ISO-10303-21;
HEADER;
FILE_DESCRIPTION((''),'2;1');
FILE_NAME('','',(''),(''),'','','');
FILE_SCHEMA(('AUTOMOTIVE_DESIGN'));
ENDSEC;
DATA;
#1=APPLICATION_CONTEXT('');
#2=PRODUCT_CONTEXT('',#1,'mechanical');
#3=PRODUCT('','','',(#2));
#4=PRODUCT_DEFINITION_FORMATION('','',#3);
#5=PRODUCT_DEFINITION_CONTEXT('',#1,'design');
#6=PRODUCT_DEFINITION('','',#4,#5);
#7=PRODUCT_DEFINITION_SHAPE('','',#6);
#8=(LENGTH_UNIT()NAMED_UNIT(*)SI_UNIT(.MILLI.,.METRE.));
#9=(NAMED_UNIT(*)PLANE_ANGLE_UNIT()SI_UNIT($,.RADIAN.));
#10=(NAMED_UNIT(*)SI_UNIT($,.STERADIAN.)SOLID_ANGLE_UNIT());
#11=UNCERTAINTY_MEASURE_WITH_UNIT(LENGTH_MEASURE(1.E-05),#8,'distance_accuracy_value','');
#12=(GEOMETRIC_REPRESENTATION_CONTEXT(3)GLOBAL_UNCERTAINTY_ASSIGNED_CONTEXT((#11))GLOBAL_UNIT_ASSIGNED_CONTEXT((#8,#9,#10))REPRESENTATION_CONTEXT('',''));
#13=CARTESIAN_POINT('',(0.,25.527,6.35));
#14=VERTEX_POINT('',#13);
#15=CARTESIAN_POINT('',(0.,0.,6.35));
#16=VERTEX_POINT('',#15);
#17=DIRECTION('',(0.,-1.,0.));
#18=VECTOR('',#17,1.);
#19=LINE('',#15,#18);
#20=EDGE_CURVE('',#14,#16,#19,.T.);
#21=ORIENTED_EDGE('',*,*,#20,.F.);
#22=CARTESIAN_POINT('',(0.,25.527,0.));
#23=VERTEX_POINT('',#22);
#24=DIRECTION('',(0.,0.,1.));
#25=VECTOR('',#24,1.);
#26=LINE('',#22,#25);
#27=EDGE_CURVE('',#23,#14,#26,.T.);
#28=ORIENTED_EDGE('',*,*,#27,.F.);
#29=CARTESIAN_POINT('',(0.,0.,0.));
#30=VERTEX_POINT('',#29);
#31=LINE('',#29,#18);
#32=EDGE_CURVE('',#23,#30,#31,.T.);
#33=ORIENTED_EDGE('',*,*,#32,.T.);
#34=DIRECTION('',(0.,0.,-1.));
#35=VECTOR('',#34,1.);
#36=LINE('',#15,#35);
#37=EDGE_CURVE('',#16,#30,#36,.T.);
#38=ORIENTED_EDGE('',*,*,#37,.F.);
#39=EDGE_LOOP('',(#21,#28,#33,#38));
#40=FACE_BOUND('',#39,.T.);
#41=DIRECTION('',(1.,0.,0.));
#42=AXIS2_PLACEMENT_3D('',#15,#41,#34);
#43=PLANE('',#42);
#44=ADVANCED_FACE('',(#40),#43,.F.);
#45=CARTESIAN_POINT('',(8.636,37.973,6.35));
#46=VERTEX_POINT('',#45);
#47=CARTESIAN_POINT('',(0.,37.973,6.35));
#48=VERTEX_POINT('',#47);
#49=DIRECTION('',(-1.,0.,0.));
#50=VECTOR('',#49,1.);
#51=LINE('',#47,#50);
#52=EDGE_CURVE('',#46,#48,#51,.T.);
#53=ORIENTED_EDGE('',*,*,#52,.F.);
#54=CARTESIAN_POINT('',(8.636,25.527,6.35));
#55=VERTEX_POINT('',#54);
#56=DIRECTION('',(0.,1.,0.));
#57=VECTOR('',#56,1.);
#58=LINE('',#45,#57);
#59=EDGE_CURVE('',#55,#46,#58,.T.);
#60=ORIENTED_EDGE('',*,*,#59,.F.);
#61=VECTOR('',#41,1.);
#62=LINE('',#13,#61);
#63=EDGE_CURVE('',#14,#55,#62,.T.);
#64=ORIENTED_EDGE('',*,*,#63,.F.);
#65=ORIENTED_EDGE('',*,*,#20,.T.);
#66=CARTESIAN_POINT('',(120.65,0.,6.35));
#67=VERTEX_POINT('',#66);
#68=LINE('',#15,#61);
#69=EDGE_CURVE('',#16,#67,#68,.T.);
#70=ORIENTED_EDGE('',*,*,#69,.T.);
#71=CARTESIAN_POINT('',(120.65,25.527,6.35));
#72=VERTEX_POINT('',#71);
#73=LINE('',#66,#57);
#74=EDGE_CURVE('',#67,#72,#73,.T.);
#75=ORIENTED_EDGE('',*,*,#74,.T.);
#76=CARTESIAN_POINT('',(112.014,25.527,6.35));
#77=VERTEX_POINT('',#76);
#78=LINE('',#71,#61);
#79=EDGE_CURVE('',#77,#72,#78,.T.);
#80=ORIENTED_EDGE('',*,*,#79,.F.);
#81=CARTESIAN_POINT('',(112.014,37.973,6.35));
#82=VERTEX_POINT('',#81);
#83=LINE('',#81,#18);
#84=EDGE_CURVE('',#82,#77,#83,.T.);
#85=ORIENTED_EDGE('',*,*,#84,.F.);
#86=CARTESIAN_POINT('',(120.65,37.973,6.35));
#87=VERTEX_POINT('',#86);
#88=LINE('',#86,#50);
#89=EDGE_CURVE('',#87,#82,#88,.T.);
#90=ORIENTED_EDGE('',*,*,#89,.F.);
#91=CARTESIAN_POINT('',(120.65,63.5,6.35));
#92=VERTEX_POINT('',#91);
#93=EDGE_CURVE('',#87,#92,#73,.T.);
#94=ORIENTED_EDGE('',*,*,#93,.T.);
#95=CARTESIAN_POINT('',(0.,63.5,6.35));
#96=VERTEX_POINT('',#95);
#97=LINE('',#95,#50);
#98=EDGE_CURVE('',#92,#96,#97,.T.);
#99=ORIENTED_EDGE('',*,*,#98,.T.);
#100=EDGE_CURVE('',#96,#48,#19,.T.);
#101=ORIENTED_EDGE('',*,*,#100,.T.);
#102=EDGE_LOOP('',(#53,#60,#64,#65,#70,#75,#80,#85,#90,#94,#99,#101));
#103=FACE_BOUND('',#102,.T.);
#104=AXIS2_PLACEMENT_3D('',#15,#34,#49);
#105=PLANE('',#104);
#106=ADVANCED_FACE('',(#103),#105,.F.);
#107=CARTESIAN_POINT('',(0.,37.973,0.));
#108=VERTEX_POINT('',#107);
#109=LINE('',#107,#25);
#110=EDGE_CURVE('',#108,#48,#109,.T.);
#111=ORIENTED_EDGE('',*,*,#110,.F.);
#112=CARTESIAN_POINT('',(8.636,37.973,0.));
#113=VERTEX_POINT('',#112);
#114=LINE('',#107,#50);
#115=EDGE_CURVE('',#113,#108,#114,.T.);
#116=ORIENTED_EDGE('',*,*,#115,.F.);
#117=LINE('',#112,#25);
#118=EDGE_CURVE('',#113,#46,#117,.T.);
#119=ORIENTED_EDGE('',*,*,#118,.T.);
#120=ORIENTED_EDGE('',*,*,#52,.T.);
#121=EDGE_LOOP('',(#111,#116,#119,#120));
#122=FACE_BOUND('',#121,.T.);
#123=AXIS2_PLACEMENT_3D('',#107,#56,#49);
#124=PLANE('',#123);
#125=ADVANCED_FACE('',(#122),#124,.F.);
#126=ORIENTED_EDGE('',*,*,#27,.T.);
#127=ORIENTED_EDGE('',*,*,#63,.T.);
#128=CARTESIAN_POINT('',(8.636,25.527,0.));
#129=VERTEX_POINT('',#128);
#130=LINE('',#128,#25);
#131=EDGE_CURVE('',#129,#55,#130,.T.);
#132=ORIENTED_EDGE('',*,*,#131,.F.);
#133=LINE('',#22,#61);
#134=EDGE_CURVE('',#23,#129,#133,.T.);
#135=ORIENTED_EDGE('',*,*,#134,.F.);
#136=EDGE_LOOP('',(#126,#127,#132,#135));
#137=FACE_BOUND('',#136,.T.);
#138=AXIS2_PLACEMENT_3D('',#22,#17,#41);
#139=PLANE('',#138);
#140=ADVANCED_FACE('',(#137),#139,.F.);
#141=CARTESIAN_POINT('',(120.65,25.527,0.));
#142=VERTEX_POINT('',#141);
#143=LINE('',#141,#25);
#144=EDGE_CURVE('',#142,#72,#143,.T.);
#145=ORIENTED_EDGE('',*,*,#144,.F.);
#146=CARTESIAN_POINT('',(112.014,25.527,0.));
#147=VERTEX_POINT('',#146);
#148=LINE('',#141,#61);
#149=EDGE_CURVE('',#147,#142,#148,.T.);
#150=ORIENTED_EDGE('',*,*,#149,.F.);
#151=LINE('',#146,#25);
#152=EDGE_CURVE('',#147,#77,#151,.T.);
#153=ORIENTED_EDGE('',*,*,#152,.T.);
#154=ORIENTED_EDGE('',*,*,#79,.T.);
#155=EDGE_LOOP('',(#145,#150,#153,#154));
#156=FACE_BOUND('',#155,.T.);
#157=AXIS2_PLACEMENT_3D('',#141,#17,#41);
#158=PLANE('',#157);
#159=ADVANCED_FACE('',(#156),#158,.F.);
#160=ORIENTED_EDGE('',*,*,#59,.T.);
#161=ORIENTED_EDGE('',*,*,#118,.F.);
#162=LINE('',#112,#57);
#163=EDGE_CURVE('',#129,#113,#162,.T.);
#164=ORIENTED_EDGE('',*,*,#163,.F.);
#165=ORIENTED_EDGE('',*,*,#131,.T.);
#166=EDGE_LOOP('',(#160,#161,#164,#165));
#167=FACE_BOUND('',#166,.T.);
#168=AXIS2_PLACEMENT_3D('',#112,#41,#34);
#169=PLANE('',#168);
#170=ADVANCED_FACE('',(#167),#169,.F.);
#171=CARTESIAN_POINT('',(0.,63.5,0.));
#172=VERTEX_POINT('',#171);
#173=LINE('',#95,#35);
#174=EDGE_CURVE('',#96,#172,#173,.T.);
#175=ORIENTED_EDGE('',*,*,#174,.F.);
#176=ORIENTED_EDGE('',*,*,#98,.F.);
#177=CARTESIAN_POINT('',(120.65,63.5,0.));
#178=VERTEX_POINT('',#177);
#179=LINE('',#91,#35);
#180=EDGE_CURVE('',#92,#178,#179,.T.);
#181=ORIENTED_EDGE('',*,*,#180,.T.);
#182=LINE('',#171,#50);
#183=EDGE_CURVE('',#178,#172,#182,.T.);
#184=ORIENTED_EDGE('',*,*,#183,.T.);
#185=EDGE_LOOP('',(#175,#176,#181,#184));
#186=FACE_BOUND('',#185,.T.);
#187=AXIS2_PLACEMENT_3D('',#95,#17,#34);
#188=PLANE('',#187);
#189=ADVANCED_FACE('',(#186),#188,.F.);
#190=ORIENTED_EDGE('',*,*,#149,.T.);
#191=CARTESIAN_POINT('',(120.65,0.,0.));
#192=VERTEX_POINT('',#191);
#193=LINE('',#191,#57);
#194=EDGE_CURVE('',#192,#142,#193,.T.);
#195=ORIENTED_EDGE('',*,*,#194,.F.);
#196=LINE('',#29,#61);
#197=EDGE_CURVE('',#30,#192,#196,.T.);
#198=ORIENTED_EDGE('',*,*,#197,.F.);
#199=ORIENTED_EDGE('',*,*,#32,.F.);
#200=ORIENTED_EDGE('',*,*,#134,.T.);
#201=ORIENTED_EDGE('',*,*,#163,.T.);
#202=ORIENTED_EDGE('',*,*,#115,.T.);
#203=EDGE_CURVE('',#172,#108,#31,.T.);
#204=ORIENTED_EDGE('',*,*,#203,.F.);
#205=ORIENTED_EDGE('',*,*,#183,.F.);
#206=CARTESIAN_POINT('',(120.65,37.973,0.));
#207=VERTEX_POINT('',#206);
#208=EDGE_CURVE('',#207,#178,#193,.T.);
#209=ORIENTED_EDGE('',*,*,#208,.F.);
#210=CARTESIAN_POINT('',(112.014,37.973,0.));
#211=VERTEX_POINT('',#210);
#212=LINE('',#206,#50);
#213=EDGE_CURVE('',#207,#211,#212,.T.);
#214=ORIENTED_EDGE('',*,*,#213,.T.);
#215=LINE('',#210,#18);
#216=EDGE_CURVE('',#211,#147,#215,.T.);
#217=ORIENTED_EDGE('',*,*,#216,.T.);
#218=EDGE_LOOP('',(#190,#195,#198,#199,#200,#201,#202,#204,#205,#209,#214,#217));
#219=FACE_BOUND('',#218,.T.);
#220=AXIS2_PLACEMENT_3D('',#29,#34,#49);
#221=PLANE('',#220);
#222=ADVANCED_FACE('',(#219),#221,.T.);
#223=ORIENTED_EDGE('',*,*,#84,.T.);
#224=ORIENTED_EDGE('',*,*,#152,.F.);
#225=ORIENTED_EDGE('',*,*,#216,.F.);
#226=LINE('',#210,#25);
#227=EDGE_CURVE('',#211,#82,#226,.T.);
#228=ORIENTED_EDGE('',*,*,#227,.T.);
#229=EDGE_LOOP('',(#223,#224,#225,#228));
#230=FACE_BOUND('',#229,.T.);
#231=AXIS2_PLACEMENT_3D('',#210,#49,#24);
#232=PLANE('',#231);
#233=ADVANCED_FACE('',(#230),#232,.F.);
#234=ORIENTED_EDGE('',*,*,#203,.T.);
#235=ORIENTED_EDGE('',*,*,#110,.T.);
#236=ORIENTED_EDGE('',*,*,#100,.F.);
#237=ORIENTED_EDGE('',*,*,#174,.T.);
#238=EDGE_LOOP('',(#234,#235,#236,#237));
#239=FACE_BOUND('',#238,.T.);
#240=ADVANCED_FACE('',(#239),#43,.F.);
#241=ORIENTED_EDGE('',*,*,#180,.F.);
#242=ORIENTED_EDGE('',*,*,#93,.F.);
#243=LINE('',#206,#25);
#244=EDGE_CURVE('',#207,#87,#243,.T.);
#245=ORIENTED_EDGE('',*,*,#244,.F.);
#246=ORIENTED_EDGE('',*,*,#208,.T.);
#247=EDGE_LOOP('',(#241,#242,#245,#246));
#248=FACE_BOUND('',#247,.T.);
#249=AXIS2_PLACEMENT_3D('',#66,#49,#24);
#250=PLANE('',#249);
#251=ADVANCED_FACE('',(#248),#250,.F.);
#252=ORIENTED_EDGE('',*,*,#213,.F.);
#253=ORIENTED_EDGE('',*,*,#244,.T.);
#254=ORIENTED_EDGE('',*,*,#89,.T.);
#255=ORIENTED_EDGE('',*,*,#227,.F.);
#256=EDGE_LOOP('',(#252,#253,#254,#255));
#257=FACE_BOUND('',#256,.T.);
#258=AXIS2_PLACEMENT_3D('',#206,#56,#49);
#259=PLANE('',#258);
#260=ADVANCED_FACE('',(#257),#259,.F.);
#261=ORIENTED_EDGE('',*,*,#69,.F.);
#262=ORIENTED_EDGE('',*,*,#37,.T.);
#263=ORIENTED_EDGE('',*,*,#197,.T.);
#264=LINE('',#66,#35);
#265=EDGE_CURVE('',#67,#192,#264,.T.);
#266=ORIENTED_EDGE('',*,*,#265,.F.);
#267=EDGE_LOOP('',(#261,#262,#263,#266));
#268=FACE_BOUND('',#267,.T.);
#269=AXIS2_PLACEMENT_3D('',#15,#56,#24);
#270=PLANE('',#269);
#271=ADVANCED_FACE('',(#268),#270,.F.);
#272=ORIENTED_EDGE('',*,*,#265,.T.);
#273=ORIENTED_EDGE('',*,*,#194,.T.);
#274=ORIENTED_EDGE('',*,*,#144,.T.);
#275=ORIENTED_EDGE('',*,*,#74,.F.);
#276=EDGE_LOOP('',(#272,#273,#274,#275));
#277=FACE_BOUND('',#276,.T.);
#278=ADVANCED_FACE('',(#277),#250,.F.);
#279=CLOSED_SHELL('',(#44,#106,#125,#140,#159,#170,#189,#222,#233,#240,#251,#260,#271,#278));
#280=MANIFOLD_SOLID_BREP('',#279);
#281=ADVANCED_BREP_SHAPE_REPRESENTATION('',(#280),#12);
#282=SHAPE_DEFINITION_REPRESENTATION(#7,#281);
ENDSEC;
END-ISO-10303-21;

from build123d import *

# Parameters (mm, degrees)
SKETCH1_W           = 120.65
SKETCH1_H           = 63.5
BOSS_EXTRUDE1_DEPTH = 6.35
SKETCH2_W           = 8.636
SKETCH2_H           = 12.446
CUT_EXTRUDE1_DEPTH  = 6.35


with BuildPart() as part:
    # Sketch1 → Boss-Extrude1 (new body)
    with BuildSketch(Plane.XY):
        with Locations((60.325, 31.75)):
            Rectangle(SKETCH1_W, SKETCH1_H)
    extrude(amount=BOSS_EXTRUDE1_DEPTH)

    # Sketch2 → Cut-Extrude1 (cut)
    with BuildSketch(Plane.XY.offset(6.35)):
        with Locations((4.318, 31.75)):
            Rectangle(SKETCH2_W, SKETCH2_H)
        with Locations((116.332, 31.75)):
            Rectangle(SKETCH2_W, SKETCH2_H)
    extrude(amount=-CUT_EXTRUDE1_DEPTH, mode=Mode.SUBTRACT)


solid = part.part
